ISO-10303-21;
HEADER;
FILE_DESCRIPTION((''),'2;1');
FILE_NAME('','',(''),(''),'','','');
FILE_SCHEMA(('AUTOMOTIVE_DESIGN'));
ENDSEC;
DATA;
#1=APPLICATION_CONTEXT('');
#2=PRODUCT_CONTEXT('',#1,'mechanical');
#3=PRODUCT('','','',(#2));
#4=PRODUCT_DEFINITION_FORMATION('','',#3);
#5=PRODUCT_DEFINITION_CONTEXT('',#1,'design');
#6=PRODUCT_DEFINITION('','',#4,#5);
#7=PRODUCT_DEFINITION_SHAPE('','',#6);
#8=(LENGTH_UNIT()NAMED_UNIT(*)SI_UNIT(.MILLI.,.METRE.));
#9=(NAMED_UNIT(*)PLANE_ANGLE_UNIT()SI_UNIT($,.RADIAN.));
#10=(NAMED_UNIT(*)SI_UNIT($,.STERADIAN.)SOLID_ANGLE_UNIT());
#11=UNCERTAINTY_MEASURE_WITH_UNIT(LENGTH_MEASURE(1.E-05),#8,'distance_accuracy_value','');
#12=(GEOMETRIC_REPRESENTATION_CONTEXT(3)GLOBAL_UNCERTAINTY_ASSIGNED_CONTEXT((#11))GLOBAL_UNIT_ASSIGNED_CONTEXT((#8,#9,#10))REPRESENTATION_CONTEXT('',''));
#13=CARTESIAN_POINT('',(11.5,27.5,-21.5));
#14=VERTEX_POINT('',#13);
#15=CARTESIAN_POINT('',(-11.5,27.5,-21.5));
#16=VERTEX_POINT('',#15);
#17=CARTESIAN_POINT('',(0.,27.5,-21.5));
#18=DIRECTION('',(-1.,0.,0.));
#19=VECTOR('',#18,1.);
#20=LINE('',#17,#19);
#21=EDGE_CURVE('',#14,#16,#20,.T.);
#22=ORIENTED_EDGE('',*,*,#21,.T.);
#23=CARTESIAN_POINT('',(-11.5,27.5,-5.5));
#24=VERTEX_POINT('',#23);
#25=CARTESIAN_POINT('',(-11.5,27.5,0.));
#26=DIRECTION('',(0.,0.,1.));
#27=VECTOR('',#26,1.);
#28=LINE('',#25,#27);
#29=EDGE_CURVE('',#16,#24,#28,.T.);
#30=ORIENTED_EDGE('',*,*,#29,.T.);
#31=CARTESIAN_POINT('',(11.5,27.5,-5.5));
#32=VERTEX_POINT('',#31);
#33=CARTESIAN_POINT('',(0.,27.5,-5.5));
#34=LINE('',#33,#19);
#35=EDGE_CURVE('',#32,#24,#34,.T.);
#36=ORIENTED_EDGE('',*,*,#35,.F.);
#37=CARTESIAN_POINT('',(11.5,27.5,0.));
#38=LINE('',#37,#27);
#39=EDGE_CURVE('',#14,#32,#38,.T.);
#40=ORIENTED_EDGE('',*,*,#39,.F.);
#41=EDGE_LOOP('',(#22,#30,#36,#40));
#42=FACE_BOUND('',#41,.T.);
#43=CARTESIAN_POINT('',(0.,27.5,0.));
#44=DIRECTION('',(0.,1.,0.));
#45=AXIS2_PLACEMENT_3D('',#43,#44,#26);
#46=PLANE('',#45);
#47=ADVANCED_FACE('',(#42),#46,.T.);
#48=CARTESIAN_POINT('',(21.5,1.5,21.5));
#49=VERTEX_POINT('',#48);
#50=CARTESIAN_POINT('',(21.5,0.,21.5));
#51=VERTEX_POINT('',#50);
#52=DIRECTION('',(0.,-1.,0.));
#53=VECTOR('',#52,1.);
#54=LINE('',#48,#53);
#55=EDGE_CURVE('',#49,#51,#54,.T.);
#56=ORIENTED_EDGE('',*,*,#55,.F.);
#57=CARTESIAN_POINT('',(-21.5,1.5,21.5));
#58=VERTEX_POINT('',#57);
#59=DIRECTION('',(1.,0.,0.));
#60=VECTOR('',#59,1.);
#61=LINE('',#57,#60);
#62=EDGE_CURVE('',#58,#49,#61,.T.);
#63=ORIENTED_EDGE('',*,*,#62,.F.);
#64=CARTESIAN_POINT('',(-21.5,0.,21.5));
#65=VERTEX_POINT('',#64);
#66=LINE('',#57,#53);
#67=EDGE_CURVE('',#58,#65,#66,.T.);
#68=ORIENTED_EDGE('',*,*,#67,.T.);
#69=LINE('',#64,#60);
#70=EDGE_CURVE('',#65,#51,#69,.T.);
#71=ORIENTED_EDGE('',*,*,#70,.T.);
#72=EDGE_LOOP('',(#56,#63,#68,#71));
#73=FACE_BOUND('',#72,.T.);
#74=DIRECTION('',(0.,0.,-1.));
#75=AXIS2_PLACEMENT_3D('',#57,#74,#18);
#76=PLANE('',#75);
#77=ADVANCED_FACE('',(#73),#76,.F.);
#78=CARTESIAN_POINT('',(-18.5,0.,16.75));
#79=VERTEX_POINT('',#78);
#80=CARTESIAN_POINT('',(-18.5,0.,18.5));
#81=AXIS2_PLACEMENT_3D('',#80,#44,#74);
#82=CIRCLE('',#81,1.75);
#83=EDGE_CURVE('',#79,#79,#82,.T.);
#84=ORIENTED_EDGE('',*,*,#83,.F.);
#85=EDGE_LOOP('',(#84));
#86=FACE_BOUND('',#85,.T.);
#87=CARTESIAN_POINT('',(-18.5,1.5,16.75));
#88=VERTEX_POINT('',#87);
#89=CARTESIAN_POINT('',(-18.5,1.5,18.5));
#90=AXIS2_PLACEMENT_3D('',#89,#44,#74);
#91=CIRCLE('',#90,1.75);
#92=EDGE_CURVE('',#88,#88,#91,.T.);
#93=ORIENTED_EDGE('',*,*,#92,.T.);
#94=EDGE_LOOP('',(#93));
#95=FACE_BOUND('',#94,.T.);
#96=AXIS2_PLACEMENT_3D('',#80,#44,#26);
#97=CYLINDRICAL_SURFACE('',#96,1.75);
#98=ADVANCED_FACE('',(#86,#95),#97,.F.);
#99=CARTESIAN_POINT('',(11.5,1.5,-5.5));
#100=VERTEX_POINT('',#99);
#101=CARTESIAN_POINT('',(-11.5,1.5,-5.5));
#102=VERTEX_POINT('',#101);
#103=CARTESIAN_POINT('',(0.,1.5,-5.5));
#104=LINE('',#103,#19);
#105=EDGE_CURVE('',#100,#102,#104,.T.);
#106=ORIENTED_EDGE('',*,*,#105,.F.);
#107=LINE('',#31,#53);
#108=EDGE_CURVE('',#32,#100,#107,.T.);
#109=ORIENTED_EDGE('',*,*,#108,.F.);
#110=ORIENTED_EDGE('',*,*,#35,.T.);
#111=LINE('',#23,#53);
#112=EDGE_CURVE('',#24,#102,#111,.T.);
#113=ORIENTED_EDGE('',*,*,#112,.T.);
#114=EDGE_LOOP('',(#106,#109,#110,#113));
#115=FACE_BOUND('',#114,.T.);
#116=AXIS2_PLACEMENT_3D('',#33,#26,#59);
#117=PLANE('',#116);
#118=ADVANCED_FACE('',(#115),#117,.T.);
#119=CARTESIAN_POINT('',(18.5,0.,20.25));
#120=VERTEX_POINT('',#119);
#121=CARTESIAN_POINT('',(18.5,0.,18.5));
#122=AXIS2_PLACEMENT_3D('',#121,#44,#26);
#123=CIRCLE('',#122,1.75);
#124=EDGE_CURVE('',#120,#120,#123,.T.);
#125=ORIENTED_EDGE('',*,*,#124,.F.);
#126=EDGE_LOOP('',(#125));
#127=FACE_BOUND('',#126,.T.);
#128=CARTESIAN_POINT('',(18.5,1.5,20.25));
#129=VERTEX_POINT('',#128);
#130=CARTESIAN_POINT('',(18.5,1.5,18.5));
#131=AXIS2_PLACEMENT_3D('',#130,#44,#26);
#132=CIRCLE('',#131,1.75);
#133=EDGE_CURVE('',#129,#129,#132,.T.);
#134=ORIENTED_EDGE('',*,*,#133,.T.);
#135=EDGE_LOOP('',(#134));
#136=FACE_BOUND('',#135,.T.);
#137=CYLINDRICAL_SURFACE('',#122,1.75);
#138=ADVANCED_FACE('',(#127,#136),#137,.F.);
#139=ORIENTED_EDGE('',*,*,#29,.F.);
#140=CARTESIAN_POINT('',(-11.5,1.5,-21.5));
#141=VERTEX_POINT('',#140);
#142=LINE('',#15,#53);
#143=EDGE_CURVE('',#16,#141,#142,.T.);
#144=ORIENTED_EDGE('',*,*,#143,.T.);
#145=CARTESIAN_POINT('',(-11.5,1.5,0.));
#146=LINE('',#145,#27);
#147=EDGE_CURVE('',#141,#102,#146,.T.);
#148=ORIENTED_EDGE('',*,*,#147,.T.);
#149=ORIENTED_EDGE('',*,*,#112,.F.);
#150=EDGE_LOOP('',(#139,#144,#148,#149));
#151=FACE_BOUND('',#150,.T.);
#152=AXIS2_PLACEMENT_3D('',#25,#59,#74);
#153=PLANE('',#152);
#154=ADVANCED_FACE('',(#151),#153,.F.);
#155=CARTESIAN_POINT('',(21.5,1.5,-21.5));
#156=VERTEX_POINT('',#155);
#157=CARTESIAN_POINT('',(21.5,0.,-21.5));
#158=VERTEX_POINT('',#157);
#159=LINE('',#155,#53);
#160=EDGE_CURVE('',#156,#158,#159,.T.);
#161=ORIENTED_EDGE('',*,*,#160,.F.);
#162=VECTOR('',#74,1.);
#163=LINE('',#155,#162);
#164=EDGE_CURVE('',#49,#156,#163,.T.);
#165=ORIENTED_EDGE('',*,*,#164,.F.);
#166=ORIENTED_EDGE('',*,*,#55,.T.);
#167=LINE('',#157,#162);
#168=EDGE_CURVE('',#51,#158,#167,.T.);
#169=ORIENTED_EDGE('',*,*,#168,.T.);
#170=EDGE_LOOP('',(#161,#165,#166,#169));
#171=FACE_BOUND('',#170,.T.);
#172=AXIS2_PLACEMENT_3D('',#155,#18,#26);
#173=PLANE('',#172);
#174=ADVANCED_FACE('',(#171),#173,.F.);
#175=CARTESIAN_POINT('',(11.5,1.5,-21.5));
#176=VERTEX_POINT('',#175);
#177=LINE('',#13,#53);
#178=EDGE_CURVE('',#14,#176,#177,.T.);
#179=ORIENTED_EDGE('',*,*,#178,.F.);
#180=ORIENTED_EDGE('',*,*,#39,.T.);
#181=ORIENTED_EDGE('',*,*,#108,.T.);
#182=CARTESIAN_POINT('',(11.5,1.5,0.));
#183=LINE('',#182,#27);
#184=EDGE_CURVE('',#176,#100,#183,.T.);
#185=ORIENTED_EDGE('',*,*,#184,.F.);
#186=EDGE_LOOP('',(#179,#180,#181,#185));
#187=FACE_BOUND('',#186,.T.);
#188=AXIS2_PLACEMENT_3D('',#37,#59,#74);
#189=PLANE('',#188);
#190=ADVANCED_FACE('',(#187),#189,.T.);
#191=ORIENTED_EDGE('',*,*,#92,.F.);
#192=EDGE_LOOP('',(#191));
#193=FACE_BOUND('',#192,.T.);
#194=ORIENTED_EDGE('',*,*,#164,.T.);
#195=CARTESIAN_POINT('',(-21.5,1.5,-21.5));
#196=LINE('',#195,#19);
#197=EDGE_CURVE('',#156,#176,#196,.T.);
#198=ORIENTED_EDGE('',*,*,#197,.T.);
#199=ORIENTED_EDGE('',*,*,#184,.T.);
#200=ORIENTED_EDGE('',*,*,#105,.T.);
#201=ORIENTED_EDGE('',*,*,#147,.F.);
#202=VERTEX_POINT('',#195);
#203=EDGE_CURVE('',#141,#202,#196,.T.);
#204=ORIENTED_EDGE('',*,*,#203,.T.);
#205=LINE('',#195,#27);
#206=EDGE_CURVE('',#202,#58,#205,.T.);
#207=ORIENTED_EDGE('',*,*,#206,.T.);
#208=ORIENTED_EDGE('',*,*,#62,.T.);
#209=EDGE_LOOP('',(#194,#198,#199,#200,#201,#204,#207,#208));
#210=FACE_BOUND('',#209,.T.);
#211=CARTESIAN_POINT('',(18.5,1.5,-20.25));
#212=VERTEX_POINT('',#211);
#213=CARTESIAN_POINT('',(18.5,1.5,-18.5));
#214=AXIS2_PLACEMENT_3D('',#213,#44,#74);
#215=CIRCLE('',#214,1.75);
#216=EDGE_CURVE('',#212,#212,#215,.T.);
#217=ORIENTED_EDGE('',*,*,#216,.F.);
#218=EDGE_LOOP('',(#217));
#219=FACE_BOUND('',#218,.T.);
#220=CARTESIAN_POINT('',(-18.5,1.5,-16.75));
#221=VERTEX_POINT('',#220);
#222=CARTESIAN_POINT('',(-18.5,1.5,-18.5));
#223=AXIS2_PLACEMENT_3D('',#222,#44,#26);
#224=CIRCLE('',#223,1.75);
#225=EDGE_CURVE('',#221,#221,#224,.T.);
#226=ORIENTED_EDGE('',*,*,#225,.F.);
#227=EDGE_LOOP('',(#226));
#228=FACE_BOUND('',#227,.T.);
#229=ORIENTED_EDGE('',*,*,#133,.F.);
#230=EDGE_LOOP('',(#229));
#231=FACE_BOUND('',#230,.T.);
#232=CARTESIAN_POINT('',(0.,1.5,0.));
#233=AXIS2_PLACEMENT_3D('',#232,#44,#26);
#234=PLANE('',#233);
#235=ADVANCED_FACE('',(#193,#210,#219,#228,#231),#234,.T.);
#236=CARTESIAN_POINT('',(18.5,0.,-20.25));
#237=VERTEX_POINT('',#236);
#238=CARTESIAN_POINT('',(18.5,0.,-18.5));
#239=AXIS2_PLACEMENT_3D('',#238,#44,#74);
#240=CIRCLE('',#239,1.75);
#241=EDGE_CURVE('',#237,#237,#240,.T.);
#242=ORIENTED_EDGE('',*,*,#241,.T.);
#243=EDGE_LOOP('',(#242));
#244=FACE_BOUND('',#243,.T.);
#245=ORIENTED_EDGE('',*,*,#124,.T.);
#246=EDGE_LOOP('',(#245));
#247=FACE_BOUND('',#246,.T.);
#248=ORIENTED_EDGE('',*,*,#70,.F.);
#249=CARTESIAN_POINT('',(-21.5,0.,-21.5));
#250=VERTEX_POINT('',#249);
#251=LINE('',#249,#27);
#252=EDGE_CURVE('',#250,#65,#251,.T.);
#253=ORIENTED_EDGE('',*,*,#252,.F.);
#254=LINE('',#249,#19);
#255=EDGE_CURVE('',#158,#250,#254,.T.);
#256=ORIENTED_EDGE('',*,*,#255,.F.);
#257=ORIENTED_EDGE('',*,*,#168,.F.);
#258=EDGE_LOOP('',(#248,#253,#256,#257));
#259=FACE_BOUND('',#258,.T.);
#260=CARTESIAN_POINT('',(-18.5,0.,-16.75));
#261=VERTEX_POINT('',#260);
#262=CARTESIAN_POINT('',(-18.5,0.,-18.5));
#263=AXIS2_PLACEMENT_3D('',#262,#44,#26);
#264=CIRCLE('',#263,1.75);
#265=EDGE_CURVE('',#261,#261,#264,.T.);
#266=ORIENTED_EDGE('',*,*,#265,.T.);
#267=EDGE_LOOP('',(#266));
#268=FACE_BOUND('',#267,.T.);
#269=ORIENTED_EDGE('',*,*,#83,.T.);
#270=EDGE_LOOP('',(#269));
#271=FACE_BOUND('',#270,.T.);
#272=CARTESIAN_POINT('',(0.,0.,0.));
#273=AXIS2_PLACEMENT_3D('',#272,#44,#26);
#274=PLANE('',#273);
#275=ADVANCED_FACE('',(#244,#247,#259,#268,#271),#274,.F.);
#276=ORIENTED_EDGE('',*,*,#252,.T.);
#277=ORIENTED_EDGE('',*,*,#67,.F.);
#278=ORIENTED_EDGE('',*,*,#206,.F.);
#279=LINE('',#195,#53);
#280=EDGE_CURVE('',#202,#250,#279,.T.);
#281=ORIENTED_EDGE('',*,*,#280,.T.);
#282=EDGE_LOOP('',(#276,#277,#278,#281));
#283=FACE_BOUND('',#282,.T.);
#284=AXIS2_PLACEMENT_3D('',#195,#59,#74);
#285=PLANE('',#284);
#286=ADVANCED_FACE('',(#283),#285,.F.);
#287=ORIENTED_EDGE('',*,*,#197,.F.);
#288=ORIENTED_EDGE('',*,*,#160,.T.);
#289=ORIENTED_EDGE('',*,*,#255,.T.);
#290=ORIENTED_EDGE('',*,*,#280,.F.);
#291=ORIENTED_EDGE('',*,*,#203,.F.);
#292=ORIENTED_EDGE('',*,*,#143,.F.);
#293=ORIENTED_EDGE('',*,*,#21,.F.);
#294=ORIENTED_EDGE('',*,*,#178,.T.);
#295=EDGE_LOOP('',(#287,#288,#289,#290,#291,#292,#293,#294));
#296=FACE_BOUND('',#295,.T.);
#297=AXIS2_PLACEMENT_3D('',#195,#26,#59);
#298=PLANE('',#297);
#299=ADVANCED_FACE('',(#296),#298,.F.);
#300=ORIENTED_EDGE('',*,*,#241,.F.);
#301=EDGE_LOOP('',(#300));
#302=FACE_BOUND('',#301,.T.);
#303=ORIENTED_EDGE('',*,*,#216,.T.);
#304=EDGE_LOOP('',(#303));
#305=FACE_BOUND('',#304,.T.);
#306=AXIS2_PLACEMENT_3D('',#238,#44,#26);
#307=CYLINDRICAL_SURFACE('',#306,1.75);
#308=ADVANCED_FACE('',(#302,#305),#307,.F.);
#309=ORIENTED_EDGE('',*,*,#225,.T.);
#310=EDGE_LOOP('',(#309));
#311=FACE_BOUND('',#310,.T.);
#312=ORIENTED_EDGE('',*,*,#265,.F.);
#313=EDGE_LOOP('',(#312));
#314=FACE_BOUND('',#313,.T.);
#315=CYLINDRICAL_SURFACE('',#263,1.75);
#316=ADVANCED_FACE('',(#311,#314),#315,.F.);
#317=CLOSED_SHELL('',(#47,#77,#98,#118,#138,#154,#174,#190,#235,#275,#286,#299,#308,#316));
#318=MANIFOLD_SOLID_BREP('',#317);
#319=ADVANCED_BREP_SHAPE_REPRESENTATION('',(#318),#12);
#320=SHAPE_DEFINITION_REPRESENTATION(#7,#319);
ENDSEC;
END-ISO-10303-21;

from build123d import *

# Parameters (mm, degrees)
SKETCH_1_W          = 43
SKETCH_1_H          = 43
EXTRUDE_1_DEPTH     = 1.5
SKETCH_2_R          = 1.75
CUT_EXTRUDE_1_DEPTH = 1.5
SKETCH_3_W          = 23
SKETCH_3_H          = 16
EXTRUDE_2_DEPTH     = 26


with BuildPart() as part:
    # 草图1 → 凸台-拉伸1 (new body)
    with BuildSketch(Plane(origin=(0, 0, 0), x_dir=(1, 0, 0), z_dir=(0, 1, 0))):
        Rectangle(SKETCH_1_W, SKETCH_1_H)
    extrude(amount=EXTRUDE_1_DEPTH)

    # 草图2 → 切除-拉伸1 (cut)
    with BuildSketch(Plane(origin=(0, 1.5, 0), x_dir=(1, 0, 0), z_dir=(0, 1, 0))):
        with Locations(Location((-18.5, 18.5, 0), (0, 0, 270))):
            Circle(SKETCH_2_R)
        with Locations(Location((18.5, 18.5, 0), (0, 0, 90))):
            Circle(SKETCH_2_R)
        with Locations(Location((-18.5, -18.5, 0), (0, 0, 90))):
            Circle(SKETCH_2_R)
        with Locations(Location((18.5, -18.5, 0), (0, 0, 270))):
            Circle(SKETCH_2_R)
    extrude(amount=-CUT_EXTRUDE_1_DEPTH, mode=Mode.SUBTRACT)

    # 草图3 → 凸台-拉伸2 (add)
    with BuildSketch(Plane(origin=(0, 1.5, 0), x_dir=(1, 0, 0), z_dir=(0, 1, 0))):
        with Locations((0, 13.5)):
            Rectangle(SKETCH_3_W, SKETCH_3_H)
    extrude(amount=EXTRUDE_2_DEPTH)


solid = part.part
